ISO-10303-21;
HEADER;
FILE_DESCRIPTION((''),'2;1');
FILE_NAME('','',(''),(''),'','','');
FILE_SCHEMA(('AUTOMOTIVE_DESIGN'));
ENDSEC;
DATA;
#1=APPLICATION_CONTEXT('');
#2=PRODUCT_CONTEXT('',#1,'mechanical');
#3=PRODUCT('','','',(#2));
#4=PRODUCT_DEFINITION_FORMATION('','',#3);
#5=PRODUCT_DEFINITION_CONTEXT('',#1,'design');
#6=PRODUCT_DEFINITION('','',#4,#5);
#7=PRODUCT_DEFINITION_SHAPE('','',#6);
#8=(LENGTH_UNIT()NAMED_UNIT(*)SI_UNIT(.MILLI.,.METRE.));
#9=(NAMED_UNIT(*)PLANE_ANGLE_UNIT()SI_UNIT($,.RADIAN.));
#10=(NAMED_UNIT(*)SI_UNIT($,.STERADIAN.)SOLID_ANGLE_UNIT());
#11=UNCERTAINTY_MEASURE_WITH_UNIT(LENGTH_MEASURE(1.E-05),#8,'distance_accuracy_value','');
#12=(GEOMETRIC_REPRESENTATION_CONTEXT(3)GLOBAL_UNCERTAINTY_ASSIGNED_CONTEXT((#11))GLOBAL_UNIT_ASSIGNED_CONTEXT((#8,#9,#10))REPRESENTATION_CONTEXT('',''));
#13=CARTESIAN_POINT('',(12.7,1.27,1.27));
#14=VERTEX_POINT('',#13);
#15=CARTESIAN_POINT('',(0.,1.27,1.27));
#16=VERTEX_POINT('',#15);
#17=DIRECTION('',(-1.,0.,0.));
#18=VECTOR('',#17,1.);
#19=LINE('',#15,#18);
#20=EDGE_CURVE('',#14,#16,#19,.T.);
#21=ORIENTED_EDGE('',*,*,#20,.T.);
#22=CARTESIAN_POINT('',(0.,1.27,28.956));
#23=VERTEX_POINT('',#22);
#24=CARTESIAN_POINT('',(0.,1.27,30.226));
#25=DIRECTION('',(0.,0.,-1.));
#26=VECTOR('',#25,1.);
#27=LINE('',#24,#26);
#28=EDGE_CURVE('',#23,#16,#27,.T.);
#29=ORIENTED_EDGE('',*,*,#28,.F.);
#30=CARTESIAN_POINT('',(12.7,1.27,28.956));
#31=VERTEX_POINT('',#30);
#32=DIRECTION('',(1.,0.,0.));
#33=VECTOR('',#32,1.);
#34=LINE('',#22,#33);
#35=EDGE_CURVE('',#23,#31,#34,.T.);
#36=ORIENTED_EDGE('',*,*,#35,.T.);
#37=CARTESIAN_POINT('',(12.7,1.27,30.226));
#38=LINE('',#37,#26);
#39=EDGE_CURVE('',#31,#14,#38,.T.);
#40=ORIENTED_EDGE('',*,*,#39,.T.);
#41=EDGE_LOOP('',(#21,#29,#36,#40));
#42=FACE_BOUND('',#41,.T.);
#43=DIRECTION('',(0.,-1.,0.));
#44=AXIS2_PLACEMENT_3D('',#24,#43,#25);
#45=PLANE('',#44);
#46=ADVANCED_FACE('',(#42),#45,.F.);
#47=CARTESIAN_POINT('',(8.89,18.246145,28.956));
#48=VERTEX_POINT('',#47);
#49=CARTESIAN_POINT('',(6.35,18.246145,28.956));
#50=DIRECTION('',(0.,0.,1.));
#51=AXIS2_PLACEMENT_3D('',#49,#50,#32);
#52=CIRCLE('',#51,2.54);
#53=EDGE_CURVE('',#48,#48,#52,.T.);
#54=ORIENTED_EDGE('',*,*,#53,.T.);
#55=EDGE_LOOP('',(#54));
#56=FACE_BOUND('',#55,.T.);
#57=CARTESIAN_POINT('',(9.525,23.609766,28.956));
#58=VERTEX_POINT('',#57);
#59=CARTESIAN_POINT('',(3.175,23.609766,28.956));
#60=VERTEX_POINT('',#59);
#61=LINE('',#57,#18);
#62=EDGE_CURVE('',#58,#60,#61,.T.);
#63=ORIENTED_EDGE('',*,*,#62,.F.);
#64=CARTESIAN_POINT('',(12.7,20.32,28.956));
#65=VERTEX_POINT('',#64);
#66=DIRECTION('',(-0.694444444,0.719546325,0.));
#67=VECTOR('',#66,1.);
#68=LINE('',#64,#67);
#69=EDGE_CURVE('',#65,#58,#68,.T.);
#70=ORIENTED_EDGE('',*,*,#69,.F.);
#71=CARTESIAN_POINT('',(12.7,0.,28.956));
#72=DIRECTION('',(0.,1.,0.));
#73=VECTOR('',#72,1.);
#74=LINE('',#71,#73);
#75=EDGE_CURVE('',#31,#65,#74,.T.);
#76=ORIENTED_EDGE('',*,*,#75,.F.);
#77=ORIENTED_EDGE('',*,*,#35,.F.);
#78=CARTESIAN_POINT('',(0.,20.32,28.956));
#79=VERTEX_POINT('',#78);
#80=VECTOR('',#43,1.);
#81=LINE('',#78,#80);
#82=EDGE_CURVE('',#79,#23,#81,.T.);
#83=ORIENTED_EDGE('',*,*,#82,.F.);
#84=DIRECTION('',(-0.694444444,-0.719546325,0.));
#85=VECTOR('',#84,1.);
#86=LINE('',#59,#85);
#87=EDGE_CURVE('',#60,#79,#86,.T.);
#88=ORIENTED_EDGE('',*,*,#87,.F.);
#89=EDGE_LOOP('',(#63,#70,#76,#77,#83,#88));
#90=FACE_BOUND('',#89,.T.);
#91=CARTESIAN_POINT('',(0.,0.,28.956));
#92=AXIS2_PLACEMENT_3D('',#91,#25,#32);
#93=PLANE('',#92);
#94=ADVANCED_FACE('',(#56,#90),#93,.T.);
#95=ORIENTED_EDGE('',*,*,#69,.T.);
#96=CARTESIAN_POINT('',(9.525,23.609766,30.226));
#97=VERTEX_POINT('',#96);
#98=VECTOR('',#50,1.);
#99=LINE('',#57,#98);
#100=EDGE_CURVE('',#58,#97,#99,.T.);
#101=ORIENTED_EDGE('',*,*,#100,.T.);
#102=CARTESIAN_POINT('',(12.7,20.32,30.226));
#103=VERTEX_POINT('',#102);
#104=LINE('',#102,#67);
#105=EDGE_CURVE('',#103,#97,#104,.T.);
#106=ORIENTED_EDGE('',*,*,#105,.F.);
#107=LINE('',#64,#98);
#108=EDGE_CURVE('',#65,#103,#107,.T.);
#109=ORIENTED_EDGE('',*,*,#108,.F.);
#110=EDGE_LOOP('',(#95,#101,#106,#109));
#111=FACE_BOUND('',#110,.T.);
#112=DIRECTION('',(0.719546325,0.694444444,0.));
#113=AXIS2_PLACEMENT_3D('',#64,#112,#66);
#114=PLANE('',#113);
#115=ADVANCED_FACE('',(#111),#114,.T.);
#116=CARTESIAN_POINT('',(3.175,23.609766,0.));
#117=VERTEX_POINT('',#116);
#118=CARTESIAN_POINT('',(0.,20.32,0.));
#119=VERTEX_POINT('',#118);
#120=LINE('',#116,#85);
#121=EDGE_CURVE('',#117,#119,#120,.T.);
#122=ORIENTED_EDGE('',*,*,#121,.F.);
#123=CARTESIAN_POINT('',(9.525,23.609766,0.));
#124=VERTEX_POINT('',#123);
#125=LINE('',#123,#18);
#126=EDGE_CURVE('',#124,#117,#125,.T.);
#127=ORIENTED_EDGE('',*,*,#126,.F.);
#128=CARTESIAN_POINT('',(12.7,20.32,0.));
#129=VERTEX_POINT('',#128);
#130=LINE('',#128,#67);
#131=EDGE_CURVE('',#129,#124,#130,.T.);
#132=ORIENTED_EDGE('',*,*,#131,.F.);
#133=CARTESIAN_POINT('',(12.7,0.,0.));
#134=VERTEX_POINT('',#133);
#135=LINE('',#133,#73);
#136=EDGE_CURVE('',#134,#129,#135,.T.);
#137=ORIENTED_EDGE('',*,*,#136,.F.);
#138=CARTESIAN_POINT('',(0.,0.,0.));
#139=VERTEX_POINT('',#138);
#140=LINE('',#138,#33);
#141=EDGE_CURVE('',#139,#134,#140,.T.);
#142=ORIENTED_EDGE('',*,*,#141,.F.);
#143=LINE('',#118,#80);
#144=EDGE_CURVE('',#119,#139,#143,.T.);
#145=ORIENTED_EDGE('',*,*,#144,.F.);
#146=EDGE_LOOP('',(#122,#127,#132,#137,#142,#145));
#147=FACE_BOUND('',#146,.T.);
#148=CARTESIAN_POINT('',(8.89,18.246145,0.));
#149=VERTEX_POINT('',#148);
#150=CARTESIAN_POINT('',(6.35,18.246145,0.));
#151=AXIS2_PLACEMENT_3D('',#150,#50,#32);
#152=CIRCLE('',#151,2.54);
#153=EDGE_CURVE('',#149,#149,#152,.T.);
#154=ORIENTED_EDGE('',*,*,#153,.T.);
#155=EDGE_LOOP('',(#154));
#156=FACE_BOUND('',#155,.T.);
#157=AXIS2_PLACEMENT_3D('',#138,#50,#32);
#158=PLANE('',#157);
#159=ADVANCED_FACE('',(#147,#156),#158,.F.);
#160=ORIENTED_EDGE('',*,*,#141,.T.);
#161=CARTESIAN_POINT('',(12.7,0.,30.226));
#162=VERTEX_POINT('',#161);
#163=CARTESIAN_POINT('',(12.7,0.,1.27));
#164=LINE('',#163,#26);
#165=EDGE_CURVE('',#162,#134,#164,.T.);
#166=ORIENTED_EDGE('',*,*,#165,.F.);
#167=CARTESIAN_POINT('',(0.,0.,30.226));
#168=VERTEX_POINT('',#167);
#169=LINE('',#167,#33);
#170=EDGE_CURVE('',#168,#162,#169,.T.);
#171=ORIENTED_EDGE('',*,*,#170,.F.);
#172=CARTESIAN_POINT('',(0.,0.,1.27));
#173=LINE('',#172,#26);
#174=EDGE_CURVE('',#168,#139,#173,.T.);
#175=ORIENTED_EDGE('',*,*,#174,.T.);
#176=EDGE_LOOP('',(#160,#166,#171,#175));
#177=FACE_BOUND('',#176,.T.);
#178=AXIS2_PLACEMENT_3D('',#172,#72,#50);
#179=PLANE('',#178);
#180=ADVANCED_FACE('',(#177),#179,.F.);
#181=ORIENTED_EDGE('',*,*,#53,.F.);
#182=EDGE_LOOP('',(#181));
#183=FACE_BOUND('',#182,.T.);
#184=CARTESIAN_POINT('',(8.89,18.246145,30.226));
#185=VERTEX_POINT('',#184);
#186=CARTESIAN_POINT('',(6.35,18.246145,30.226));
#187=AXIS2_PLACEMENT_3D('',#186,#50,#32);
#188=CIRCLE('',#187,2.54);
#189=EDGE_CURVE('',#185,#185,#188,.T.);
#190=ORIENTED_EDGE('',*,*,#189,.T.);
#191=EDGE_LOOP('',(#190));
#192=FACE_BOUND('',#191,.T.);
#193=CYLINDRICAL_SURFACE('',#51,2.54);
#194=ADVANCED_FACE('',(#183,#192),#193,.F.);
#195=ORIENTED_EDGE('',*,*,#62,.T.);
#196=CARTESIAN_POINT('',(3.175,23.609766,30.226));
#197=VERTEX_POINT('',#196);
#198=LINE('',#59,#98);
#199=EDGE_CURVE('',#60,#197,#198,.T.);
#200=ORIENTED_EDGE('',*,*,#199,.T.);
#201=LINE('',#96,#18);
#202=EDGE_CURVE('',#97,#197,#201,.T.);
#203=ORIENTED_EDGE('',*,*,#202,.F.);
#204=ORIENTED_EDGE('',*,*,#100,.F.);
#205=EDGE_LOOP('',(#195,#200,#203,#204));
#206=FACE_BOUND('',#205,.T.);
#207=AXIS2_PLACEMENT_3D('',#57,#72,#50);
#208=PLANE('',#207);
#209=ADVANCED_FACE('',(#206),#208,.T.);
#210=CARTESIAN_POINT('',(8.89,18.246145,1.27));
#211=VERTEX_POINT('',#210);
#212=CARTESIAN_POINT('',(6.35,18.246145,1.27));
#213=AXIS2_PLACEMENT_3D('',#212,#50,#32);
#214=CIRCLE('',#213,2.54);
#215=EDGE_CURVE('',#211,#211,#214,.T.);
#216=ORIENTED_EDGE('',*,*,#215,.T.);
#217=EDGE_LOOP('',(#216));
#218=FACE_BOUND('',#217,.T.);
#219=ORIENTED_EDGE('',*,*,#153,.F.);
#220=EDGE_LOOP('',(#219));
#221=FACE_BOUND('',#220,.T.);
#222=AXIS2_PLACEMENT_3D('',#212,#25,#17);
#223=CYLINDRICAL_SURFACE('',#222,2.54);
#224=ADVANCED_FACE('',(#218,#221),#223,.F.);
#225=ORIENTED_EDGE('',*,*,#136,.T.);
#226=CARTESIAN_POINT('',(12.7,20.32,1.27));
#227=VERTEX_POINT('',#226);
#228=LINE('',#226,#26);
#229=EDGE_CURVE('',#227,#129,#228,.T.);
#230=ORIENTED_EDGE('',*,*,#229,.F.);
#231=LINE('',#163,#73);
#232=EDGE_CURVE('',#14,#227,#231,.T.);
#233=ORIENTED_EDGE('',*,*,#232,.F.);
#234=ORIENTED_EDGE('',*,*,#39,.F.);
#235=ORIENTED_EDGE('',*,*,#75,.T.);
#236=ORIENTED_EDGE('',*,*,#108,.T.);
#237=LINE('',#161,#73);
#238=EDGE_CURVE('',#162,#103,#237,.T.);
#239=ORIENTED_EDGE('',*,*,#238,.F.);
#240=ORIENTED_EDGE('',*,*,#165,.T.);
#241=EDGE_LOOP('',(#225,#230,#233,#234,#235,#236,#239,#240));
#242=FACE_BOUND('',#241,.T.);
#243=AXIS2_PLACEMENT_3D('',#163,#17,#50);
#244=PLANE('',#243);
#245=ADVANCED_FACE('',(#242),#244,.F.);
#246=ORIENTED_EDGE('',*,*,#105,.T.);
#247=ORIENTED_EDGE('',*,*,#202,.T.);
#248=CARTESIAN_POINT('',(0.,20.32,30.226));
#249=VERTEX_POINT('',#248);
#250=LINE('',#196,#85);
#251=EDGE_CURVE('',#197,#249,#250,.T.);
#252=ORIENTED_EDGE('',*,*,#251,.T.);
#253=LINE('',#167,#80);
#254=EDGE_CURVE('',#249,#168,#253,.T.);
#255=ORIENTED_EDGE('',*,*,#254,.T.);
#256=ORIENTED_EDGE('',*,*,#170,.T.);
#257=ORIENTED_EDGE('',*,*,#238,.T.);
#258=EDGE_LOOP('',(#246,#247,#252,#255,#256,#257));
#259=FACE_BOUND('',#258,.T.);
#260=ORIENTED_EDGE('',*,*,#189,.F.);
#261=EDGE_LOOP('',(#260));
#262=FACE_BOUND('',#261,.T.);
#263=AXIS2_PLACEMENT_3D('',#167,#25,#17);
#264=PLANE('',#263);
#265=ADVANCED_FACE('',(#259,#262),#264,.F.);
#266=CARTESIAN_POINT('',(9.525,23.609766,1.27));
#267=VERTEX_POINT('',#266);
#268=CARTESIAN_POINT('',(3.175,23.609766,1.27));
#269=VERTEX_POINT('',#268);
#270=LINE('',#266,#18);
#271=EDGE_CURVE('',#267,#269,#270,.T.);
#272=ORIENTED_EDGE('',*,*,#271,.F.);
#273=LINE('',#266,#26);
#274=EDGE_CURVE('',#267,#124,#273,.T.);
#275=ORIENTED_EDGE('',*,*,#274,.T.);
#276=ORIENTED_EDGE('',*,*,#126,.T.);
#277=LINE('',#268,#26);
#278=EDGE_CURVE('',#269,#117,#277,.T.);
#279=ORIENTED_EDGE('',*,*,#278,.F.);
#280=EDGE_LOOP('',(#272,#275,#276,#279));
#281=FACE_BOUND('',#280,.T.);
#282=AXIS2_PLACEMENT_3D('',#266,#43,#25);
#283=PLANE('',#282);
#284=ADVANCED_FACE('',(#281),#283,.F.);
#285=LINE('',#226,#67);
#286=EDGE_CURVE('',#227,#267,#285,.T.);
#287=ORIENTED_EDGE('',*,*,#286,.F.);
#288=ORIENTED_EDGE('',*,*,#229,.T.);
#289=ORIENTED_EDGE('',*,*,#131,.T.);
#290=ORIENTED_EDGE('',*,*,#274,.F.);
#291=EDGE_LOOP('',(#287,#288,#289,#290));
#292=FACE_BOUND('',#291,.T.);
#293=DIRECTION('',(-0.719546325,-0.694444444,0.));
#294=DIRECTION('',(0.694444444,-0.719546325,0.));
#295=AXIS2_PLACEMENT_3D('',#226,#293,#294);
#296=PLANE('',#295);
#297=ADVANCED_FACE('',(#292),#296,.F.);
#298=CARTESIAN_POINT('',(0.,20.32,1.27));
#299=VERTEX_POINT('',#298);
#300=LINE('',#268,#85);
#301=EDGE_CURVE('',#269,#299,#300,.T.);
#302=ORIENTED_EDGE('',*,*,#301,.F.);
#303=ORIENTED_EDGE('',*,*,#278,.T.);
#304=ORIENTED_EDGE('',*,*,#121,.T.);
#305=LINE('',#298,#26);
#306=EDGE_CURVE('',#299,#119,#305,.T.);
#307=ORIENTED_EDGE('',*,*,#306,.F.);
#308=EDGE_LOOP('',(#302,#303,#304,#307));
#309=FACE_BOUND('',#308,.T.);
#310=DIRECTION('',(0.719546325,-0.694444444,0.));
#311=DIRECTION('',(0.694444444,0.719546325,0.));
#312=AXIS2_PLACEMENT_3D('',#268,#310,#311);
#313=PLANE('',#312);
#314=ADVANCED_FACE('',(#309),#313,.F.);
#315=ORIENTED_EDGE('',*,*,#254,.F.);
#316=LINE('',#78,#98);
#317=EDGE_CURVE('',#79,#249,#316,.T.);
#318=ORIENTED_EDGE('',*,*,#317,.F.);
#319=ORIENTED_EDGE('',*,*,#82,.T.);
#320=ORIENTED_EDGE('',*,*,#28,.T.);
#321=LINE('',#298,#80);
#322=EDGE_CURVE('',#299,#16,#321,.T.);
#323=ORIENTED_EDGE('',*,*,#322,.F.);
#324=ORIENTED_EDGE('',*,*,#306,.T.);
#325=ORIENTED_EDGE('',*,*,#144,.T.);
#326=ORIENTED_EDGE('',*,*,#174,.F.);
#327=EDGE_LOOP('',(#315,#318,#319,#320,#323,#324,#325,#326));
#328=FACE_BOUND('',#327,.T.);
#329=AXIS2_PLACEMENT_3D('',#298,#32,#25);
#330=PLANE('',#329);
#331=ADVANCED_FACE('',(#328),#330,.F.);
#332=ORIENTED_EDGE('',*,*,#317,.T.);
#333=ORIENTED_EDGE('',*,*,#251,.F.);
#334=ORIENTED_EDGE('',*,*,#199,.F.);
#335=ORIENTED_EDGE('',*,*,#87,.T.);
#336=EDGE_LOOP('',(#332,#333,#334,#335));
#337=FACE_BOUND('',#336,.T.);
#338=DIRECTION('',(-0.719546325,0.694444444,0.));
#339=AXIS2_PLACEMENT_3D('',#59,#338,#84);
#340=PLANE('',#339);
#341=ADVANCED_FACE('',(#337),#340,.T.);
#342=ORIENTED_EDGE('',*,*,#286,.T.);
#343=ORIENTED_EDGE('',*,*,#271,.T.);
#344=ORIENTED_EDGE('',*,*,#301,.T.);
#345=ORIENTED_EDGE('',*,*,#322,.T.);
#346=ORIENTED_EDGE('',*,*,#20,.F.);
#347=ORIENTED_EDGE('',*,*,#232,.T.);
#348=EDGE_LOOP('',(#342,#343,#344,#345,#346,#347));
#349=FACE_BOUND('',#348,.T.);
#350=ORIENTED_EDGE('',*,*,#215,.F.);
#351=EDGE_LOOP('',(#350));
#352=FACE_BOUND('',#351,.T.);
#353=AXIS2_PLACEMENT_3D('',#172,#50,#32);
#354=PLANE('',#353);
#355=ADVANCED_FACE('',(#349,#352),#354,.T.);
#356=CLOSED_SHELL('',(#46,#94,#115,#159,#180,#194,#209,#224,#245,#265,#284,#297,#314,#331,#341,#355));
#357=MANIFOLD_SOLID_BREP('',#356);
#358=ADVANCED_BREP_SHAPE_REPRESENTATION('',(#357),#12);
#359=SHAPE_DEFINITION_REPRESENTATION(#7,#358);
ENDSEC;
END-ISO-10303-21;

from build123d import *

# Parameters (mm, degrees)
SKETCH4_R           = 2.54
BOSS_EXTRUDE1_DEPTH = 1.27
SKETCH5_W           = 12.7
SKETCH5_H           = 1.27
BOSS_EXTRUDE2_DEPTH = 28.956


with BuildPart() as part:
    # Sketch4 → Boss-Extrude1 (new body)
    with BuildSketch(Plane.XY):
        Polygon((0, 0), (12.7, 0), (12.7, 20.32), (9.525, 23.609765797), (3.175, 23.609765797), (0, 20.32), align=None)
        with Locations((6.35, 18.246144904)):
            Circle(SKETCH4_R, mode=Mode.SUBTRACT)
    boss_extrude1 = extrude(amount=BOSS_EXTRUDE1_DEPTH)

    # Sketch5 → Boss-Extrude2 (add)
    with BuildSketch(Plane.XY.offset(1.27)):
        with Locations((6.35, 0.635)):
            Rectangle(SKETCH5_W, SKETCH5_H)
    extrude(amount=BOSS_EXTRUDE2_DEPTH)

    # Mirror1: Boss-Extrude1 across plane
    add(boss_extrude1.mirror(Plane.XY.offset(15.113)))


solid = part.part
